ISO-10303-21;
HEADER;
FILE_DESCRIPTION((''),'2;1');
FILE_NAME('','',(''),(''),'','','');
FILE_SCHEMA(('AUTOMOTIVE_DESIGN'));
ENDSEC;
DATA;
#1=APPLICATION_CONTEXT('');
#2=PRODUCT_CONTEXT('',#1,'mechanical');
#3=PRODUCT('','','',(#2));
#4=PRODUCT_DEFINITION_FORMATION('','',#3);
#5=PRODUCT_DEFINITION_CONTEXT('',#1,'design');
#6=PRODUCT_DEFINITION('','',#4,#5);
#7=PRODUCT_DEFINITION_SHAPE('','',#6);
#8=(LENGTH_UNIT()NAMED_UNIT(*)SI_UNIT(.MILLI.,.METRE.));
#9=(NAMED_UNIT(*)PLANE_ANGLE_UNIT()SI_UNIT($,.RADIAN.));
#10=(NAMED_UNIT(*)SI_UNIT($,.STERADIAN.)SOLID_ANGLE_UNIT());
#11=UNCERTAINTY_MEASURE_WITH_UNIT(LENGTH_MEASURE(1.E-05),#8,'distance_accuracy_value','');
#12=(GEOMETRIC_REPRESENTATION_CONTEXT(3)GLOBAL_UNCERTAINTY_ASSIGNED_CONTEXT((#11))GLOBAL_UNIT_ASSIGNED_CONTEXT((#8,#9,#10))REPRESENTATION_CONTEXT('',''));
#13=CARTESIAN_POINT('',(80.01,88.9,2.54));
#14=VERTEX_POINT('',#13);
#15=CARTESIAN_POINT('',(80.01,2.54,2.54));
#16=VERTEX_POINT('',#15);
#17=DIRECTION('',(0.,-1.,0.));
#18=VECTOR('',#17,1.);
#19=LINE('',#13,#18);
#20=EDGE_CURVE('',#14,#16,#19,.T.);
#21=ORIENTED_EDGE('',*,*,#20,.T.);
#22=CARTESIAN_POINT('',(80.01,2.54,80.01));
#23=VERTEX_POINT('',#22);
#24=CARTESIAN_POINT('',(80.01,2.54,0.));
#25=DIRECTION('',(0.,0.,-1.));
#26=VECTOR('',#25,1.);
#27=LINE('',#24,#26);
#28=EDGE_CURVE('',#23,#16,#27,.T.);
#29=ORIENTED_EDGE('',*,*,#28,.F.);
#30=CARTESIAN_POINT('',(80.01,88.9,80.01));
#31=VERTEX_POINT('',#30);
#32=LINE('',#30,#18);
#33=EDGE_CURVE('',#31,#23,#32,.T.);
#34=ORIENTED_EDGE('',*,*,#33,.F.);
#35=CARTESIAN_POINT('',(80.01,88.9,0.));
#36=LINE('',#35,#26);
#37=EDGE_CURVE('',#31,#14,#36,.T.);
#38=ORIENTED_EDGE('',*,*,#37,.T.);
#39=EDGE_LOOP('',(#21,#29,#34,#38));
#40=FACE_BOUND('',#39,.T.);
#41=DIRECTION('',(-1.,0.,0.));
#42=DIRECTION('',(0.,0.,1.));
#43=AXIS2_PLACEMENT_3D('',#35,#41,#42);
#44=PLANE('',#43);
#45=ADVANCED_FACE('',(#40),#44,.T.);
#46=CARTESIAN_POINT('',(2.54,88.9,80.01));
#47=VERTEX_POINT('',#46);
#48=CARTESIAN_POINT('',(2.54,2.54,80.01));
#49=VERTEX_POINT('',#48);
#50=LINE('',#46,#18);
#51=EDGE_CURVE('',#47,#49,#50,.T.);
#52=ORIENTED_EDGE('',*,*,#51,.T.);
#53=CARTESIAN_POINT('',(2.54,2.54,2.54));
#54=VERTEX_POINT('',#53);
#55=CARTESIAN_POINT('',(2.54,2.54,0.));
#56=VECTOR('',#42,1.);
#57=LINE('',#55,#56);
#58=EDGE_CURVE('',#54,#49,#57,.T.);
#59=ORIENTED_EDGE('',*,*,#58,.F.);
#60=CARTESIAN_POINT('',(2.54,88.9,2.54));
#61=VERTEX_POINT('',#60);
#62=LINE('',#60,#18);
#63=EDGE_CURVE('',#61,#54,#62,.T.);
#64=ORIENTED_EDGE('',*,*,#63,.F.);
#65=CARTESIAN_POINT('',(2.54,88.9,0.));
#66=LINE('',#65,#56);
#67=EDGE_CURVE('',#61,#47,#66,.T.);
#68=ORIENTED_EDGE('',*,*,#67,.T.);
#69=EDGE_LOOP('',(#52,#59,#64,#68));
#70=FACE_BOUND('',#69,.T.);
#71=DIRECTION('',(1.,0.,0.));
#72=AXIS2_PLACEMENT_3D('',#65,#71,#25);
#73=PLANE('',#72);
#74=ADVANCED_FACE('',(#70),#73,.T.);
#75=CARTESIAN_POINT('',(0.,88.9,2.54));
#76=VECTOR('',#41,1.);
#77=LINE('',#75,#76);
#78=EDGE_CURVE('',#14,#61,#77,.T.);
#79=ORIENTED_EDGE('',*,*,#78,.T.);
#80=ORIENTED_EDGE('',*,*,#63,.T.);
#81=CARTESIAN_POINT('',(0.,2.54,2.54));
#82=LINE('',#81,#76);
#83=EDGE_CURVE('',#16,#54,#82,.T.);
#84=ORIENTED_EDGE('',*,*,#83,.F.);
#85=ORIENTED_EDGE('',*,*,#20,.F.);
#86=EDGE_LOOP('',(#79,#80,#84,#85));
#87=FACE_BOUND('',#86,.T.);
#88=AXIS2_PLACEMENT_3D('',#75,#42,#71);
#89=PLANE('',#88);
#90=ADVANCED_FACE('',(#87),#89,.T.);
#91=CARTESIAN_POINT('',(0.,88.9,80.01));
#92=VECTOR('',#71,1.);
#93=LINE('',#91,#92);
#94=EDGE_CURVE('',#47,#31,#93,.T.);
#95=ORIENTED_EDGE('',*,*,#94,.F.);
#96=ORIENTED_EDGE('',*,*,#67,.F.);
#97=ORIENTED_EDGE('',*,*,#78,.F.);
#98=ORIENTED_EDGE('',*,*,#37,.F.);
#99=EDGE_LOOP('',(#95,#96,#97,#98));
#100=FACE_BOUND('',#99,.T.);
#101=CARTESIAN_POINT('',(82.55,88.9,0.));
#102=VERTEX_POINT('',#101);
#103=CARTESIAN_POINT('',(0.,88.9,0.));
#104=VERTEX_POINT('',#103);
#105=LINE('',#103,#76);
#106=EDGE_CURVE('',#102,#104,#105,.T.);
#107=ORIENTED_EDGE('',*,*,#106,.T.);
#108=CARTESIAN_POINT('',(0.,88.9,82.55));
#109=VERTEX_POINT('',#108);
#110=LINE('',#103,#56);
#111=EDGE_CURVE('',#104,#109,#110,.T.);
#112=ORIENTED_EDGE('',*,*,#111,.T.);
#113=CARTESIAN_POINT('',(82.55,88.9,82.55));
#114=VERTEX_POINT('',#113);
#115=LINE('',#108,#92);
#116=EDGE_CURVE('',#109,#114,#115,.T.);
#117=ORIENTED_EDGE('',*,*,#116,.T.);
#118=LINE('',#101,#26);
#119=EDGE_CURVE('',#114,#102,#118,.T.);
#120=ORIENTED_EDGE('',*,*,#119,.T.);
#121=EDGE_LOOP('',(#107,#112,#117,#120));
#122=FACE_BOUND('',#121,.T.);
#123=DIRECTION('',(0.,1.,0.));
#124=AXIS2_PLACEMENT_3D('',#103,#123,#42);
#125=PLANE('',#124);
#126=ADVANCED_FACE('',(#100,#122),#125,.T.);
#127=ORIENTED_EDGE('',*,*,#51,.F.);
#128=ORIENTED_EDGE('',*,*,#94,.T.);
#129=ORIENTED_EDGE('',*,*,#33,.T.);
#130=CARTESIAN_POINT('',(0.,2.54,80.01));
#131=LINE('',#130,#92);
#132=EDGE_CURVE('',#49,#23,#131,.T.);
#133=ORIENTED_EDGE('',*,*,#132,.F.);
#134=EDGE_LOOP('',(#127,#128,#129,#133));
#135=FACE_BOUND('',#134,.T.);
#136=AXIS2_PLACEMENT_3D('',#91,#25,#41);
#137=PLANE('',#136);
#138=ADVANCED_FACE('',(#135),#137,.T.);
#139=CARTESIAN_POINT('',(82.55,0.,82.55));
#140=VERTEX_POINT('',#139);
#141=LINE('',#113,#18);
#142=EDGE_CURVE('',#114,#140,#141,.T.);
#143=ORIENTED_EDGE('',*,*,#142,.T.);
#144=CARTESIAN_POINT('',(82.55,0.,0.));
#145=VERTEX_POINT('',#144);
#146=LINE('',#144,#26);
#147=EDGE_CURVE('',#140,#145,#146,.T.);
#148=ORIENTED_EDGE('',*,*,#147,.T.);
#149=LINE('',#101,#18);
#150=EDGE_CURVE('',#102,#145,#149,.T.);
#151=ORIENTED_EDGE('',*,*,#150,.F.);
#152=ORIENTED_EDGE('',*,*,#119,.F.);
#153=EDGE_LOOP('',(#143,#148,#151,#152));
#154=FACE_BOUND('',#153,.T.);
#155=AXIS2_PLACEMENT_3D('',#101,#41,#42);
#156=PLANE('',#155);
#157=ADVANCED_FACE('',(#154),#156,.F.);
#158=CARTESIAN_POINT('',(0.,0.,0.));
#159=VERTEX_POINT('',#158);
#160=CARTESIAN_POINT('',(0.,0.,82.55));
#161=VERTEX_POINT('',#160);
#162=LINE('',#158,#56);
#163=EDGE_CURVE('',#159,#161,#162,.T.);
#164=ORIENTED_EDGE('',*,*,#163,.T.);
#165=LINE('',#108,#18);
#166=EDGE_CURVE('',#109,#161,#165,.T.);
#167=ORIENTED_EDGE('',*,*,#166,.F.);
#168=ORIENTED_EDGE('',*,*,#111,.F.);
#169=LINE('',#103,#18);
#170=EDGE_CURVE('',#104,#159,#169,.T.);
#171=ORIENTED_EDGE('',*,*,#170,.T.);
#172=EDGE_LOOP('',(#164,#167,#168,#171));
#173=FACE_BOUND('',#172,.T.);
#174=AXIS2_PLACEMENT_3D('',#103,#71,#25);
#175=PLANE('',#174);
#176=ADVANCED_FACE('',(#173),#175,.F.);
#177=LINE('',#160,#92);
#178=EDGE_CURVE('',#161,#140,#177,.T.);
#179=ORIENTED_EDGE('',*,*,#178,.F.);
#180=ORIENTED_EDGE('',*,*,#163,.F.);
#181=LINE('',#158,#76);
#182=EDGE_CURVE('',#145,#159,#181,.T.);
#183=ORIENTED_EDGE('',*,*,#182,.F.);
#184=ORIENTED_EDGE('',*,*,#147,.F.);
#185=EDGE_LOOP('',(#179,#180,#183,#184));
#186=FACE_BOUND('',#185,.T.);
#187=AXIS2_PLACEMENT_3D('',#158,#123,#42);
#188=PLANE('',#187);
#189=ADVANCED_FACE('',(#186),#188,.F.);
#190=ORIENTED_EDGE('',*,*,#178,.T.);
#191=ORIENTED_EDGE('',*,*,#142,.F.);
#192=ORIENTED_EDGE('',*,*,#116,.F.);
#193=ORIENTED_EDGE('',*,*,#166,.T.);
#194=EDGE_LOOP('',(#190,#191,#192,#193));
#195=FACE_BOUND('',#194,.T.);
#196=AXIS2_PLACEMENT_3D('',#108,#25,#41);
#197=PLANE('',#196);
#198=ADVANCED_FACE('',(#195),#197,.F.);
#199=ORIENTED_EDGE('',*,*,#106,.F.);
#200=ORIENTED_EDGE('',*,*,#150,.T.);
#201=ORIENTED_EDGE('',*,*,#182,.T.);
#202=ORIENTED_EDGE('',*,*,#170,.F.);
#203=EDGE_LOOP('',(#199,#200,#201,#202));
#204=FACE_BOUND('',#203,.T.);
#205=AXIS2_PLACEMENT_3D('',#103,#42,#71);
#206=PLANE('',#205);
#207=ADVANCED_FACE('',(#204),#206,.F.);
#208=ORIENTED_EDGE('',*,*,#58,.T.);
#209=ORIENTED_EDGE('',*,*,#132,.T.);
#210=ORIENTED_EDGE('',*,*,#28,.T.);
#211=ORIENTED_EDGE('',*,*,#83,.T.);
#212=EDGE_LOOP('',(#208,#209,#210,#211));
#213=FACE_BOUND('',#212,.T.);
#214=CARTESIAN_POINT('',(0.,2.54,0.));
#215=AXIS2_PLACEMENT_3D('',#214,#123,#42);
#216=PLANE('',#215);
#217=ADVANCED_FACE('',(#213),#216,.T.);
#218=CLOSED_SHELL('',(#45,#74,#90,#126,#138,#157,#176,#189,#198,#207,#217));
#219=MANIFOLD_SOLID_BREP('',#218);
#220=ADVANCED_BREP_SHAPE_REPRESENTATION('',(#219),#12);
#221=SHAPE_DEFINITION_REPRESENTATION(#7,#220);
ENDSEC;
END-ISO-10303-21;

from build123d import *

# Parameters (mm, degrees)
SKETCH1_W           = 82.55
SKETCH1_H           = 82.55
BOSS_EXTRUDE1_DEPTH = 88.9
SHELL1_T            = -2.54


with BuildPart() as part:
    # Sketch1 → Boss-Extrude1 (new body)
    with BuildSketch(Plane(origin=(0, 0, 0), x_dir=(1, 0, 0), z_dir=(0, 1, 0))):
        with Locations((41.275, -41.275)):
            Rectangle(SKETCH1_W, SKETCH1_H)
    extrude(amount=BOSS_EXTRUDE1_DEPTH)

    # Shell1
    shell1_openings = [part.faces().sort_by_distance(p)[0] for p in [
        (41.275, 88.9, 41.275),
    ]]
    offset(amount=SHELL1_T, openings=shell1_openings, kind=Kind.INTERSECTION)


solid = part.part
